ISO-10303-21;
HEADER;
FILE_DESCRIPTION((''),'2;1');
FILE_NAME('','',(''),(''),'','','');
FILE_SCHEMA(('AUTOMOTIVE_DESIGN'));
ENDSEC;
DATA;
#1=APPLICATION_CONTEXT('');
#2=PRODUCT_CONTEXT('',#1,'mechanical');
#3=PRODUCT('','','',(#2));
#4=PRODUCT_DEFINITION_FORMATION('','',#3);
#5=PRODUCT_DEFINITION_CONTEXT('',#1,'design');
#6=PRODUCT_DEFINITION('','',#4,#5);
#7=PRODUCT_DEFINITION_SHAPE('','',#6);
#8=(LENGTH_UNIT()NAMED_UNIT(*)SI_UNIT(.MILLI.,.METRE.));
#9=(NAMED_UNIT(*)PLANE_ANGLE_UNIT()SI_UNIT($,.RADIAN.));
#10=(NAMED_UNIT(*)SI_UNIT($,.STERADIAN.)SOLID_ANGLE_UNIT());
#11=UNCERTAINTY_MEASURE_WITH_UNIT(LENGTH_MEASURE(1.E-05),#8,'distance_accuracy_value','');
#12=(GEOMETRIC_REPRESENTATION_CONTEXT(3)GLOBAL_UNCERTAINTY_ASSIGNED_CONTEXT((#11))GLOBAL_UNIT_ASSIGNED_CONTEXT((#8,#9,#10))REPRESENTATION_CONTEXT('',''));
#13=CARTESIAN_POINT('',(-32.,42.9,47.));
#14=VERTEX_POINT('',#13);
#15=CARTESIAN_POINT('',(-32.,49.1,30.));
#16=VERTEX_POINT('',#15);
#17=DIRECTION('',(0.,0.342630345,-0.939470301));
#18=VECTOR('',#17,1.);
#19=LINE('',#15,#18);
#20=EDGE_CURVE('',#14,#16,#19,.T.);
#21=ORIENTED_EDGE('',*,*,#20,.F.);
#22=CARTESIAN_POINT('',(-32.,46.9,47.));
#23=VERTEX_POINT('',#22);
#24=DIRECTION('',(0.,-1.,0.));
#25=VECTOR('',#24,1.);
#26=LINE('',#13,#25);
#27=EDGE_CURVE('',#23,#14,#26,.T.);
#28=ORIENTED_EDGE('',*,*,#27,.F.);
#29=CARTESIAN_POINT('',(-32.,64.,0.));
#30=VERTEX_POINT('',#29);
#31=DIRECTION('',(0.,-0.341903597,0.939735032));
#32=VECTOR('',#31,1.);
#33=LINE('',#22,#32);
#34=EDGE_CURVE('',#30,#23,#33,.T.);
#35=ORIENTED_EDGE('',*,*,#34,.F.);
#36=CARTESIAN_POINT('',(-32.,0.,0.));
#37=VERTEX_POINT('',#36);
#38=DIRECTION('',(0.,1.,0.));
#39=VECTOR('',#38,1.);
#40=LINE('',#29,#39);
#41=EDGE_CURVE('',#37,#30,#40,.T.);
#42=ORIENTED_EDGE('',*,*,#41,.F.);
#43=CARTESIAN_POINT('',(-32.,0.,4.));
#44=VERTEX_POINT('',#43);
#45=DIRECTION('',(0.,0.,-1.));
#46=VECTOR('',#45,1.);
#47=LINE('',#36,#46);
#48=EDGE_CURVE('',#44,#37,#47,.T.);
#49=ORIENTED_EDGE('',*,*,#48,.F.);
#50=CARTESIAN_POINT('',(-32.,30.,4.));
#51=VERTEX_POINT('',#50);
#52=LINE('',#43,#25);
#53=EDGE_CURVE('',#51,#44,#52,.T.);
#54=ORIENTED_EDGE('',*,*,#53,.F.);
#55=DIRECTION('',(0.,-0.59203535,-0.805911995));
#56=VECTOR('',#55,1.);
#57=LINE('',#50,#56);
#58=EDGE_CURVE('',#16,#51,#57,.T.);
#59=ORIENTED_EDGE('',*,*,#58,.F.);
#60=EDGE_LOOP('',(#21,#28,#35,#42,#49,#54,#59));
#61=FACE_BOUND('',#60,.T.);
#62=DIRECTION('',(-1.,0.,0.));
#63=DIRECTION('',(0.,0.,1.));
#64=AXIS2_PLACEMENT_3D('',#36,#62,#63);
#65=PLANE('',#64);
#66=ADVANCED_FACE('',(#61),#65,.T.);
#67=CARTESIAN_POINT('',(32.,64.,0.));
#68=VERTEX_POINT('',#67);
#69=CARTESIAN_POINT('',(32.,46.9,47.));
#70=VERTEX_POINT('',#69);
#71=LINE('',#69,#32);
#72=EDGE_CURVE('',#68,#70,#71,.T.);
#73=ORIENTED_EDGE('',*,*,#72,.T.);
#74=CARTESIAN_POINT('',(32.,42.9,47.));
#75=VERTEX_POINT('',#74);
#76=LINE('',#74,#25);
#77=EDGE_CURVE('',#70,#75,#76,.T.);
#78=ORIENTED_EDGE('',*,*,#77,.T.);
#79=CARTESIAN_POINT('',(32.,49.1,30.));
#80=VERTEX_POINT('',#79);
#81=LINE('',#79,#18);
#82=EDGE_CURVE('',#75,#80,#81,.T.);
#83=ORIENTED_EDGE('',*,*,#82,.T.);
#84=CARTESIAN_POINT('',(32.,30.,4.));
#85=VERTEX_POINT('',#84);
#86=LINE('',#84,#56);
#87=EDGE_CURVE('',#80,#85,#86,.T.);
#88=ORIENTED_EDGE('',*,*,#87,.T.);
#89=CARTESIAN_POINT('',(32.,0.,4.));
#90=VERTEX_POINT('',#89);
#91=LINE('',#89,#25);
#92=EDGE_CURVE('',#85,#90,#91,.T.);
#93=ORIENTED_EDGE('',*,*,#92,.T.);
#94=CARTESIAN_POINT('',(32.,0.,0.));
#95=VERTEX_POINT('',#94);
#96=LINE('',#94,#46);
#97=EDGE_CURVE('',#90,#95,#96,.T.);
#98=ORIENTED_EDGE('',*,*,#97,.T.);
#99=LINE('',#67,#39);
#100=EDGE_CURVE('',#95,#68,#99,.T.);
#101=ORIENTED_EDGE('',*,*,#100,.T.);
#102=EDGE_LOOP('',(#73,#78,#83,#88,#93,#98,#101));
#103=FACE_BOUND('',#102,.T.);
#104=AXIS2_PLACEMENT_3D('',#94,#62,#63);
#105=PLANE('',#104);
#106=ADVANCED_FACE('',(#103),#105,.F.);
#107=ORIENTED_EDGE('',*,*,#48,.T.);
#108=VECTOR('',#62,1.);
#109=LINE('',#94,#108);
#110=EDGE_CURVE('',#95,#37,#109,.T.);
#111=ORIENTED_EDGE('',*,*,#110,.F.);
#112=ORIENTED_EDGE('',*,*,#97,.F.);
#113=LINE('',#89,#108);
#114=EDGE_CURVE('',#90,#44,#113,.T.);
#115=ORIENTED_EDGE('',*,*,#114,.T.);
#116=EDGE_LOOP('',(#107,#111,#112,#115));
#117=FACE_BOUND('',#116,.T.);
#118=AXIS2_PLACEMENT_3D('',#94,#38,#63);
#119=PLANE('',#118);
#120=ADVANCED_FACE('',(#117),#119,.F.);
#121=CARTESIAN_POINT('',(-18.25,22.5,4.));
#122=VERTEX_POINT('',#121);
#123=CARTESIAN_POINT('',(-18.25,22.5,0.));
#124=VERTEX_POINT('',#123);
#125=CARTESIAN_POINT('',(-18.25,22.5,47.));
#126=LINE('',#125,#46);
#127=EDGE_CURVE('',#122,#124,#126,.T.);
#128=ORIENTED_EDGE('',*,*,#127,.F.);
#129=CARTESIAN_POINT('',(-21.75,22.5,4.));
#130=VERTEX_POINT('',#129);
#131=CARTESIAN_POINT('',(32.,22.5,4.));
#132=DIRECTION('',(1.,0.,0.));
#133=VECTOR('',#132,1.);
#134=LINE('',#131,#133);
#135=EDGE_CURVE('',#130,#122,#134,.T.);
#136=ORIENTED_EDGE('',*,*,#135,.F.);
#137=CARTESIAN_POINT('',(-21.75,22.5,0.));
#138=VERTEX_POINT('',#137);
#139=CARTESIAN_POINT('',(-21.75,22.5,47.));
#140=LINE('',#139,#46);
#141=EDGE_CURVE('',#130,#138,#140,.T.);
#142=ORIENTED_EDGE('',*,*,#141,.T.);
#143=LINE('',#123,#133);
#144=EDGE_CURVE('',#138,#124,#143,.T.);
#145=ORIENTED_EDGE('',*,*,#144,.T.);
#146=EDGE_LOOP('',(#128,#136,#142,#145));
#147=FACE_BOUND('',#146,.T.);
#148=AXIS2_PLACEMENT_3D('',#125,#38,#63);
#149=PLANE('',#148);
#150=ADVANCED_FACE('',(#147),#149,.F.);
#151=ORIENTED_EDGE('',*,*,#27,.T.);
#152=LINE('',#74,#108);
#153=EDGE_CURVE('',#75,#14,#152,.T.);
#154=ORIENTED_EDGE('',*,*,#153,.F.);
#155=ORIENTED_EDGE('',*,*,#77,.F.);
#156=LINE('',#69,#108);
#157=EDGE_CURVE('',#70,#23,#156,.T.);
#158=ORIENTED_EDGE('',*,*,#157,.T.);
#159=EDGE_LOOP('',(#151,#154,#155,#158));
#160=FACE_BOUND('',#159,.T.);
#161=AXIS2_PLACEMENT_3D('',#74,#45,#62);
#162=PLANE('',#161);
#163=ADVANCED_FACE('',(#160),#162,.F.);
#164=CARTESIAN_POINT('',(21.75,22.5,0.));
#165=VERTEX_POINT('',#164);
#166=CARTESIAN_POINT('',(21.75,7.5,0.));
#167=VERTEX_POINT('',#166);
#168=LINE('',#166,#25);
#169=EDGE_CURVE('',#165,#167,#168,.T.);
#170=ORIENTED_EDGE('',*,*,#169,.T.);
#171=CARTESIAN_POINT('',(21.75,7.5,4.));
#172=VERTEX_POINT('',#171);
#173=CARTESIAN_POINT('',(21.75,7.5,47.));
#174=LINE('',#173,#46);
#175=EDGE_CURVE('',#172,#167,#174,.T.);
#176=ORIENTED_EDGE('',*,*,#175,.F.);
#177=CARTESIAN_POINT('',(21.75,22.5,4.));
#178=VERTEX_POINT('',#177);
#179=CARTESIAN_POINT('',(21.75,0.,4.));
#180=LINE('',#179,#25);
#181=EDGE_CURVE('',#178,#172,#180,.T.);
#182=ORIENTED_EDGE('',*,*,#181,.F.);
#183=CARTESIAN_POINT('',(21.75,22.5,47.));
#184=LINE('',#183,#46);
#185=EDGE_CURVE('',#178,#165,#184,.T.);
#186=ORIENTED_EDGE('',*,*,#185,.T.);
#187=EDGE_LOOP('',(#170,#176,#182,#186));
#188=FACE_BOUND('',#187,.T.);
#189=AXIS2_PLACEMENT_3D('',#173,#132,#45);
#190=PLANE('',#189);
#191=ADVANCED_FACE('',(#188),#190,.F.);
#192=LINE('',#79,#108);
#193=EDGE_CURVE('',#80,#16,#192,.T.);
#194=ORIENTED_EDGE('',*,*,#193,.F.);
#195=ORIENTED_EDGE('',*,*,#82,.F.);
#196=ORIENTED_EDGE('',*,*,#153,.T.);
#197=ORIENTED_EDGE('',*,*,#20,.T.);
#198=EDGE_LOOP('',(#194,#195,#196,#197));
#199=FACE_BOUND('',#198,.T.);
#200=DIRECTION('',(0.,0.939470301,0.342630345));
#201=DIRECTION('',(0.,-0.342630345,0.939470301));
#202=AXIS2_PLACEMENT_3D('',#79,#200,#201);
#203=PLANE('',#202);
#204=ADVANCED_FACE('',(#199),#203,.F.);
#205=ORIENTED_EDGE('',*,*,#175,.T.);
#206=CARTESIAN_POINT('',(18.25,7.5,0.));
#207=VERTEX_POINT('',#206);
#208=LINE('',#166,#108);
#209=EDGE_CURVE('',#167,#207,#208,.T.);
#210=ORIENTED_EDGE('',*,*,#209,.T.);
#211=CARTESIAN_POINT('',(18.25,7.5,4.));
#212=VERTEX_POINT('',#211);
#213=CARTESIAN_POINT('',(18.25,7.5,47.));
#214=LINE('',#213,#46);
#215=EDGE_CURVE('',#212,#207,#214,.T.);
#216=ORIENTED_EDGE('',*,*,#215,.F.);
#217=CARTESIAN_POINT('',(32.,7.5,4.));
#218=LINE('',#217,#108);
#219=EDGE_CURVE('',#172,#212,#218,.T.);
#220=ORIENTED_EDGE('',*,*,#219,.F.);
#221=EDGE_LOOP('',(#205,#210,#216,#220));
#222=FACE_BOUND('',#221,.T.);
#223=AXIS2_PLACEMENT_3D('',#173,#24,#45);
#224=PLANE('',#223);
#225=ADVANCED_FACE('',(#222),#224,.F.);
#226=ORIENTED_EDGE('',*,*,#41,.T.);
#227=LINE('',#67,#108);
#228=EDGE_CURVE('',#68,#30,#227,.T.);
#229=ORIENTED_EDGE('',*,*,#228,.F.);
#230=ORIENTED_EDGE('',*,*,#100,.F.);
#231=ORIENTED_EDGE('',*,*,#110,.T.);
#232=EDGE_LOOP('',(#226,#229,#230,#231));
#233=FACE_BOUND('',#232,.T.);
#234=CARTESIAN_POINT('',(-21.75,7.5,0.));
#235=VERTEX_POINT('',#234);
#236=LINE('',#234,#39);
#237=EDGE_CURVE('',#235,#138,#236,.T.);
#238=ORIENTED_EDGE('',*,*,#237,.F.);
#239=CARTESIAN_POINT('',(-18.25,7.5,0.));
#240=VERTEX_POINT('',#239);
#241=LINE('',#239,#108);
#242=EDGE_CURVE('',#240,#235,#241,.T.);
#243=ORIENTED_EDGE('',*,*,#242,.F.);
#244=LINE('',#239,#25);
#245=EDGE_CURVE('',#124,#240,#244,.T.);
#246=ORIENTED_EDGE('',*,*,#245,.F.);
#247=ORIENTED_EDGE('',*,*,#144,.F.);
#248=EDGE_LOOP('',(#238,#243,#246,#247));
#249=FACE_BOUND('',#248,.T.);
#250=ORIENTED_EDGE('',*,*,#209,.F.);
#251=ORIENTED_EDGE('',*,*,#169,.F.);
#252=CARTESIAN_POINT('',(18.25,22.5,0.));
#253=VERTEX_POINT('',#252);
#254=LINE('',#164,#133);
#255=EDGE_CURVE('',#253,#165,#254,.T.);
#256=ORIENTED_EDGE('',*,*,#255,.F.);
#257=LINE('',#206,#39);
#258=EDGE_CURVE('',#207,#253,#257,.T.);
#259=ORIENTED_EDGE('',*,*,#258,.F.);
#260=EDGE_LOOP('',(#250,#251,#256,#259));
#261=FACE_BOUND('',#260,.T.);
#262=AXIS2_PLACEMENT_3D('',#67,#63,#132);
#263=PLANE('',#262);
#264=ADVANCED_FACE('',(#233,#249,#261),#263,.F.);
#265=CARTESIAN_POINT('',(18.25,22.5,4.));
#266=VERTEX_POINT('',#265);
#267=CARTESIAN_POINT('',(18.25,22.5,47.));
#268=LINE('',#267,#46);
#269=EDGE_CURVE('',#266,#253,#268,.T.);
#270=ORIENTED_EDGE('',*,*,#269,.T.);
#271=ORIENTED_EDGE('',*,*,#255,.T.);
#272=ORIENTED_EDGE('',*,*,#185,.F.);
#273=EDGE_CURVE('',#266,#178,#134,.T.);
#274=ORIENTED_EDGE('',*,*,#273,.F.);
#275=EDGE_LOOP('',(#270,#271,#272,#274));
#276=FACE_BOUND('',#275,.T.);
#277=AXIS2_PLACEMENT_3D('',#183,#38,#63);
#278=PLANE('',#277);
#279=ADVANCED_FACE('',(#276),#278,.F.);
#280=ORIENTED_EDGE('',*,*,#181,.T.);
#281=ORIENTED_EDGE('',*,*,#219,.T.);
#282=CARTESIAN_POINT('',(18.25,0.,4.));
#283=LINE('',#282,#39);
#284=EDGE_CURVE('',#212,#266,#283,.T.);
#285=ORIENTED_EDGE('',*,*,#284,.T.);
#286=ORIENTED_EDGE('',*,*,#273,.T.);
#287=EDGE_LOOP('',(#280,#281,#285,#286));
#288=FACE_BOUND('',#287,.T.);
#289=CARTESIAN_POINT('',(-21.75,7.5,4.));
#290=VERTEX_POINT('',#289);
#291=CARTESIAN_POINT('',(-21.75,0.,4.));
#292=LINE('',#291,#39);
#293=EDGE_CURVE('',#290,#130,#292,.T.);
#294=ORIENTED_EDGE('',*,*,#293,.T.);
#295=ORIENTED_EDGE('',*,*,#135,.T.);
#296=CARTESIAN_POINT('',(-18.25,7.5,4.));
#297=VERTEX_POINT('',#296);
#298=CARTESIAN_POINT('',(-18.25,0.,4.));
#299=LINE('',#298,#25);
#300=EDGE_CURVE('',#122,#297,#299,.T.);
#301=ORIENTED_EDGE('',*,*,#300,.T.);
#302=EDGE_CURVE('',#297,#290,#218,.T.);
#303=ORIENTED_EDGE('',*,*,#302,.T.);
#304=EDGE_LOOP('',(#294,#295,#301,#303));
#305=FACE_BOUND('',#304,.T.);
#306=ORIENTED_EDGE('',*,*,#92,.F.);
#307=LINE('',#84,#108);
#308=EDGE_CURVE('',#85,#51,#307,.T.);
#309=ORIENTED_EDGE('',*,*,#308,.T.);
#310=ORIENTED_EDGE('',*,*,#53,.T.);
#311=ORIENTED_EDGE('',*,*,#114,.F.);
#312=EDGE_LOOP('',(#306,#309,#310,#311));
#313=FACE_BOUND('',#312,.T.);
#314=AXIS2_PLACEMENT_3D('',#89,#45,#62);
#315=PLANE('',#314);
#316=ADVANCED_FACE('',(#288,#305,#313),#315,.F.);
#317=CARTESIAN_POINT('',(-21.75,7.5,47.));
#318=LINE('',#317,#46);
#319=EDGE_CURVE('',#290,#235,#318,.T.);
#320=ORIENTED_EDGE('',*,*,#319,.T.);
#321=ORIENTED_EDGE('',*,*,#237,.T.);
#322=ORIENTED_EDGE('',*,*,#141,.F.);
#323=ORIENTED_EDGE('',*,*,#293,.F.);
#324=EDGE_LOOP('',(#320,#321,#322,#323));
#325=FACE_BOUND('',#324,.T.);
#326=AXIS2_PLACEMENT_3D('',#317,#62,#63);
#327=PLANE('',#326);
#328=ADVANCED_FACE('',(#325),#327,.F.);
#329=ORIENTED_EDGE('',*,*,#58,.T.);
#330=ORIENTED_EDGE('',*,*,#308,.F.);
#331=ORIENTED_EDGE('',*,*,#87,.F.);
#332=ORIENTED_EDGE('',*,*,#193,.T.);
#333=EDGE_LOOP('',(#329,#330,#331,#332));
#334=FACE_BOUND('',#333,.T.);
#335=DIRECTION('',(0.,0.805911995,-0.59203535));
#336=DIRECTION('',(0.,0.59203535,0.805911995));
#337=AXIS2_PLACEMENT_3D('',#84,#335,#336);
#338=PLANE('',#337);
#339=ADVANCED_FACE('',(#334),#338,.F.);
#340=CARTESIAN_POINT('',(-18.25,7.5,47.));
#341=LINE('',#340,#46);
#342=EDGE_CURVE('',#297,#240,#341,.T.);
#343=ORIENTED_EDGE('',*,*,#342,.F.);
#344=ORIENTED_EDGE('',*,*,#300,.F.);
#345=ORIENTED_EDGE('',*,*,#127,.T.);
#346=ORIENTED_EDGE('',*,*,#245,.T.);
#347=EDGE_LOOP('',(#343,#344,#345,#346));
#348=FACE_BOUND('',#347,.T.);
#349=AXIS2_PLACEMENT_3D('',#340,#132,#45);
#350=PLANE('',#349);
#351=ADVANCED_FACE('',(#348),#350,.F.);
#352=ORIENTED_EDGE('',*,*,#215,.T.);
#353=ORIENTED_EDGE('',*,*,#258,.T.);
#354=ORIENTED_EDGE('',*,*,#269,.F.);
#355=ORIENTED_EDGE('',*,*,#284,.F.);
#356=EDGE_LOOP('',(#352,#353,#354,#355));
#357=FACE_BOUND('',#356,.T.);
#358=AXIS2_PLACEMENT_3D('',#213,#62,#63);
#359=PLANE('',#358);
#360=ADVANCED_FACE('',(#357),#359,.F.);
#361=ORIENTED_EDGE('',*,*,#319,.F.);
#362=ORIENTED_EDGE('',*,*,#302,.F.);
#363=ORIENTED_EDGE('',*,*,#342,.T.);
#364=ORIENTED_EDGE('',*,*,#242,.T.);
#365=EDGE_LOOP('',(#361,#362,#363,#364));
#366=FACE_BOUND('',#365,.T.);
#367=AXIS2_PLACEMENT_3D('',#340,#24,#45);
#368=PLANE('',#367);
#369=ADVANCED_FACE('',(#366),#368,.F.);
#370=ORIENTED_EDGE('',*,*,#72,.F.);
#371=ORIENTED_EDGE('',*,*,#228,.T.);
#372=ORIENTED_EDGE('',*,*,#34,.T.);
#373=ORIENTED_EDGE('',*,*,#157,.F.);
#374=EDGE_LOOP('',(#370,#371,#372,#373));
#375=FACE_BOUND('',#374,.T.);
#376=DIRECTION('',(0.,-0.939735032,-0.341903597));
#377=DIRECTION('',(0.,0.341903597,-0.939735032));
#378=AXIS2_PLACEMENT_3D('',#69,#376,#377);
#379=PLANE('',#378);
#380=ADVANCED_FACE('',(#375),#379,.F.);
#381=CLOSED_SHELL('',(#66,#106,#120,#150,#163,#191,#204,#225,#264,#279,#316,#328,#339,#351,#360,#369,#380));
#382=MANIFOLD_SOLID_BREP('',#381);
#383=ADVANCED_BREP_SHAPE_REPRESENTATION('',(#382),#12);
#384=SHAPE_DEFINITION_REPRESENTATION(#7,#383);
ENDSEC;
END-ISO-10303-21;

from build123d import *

# Parameters (mm, degrees)
BOSS_EXTRUDE1_DEPTH = 32
SKETCH2_W           = 3.5
SKETCH2_H           = 15
CUT_EXTRUDE1_DEPTH  = 86.609578903


with BuildPart() as part:
    # Sketch1 → Boss-Extrude1 (new, symmetric)
    with BuildSketch(Plane(origin=(0, 0, 0), x_dir=(0, 0, -1), z_dir=(1, 0, 0))):
        Polygon((0, 0), (-4, 0), (-4, 30), (-30, 49.1), (-47, 42.9), (-47, 46.9), (0, 64), align=None)
    extrude(amount=BOSS_EXTRUDE1_DEPTH, both=True)

    # Sketch2 → Cut-Extrude1 (cut, through all)
    with BuildSketch(Plane(origin=(0, 0, 0), x_dir=(-1, 0, 0), z_dir=(0, 0, -1))):
        with Locations((20, 15)):
            Rectangle(SKETCH2_W, SKETCH2_H)
        with Locations((-20, 15)):
            Rectangle(SKETCH2_W, SKETCH2_H)
    extrude(amount=-CUT_EXTRUDE1_DEPTH, mode=Mode.SUBTRACT)


solid = part.part
